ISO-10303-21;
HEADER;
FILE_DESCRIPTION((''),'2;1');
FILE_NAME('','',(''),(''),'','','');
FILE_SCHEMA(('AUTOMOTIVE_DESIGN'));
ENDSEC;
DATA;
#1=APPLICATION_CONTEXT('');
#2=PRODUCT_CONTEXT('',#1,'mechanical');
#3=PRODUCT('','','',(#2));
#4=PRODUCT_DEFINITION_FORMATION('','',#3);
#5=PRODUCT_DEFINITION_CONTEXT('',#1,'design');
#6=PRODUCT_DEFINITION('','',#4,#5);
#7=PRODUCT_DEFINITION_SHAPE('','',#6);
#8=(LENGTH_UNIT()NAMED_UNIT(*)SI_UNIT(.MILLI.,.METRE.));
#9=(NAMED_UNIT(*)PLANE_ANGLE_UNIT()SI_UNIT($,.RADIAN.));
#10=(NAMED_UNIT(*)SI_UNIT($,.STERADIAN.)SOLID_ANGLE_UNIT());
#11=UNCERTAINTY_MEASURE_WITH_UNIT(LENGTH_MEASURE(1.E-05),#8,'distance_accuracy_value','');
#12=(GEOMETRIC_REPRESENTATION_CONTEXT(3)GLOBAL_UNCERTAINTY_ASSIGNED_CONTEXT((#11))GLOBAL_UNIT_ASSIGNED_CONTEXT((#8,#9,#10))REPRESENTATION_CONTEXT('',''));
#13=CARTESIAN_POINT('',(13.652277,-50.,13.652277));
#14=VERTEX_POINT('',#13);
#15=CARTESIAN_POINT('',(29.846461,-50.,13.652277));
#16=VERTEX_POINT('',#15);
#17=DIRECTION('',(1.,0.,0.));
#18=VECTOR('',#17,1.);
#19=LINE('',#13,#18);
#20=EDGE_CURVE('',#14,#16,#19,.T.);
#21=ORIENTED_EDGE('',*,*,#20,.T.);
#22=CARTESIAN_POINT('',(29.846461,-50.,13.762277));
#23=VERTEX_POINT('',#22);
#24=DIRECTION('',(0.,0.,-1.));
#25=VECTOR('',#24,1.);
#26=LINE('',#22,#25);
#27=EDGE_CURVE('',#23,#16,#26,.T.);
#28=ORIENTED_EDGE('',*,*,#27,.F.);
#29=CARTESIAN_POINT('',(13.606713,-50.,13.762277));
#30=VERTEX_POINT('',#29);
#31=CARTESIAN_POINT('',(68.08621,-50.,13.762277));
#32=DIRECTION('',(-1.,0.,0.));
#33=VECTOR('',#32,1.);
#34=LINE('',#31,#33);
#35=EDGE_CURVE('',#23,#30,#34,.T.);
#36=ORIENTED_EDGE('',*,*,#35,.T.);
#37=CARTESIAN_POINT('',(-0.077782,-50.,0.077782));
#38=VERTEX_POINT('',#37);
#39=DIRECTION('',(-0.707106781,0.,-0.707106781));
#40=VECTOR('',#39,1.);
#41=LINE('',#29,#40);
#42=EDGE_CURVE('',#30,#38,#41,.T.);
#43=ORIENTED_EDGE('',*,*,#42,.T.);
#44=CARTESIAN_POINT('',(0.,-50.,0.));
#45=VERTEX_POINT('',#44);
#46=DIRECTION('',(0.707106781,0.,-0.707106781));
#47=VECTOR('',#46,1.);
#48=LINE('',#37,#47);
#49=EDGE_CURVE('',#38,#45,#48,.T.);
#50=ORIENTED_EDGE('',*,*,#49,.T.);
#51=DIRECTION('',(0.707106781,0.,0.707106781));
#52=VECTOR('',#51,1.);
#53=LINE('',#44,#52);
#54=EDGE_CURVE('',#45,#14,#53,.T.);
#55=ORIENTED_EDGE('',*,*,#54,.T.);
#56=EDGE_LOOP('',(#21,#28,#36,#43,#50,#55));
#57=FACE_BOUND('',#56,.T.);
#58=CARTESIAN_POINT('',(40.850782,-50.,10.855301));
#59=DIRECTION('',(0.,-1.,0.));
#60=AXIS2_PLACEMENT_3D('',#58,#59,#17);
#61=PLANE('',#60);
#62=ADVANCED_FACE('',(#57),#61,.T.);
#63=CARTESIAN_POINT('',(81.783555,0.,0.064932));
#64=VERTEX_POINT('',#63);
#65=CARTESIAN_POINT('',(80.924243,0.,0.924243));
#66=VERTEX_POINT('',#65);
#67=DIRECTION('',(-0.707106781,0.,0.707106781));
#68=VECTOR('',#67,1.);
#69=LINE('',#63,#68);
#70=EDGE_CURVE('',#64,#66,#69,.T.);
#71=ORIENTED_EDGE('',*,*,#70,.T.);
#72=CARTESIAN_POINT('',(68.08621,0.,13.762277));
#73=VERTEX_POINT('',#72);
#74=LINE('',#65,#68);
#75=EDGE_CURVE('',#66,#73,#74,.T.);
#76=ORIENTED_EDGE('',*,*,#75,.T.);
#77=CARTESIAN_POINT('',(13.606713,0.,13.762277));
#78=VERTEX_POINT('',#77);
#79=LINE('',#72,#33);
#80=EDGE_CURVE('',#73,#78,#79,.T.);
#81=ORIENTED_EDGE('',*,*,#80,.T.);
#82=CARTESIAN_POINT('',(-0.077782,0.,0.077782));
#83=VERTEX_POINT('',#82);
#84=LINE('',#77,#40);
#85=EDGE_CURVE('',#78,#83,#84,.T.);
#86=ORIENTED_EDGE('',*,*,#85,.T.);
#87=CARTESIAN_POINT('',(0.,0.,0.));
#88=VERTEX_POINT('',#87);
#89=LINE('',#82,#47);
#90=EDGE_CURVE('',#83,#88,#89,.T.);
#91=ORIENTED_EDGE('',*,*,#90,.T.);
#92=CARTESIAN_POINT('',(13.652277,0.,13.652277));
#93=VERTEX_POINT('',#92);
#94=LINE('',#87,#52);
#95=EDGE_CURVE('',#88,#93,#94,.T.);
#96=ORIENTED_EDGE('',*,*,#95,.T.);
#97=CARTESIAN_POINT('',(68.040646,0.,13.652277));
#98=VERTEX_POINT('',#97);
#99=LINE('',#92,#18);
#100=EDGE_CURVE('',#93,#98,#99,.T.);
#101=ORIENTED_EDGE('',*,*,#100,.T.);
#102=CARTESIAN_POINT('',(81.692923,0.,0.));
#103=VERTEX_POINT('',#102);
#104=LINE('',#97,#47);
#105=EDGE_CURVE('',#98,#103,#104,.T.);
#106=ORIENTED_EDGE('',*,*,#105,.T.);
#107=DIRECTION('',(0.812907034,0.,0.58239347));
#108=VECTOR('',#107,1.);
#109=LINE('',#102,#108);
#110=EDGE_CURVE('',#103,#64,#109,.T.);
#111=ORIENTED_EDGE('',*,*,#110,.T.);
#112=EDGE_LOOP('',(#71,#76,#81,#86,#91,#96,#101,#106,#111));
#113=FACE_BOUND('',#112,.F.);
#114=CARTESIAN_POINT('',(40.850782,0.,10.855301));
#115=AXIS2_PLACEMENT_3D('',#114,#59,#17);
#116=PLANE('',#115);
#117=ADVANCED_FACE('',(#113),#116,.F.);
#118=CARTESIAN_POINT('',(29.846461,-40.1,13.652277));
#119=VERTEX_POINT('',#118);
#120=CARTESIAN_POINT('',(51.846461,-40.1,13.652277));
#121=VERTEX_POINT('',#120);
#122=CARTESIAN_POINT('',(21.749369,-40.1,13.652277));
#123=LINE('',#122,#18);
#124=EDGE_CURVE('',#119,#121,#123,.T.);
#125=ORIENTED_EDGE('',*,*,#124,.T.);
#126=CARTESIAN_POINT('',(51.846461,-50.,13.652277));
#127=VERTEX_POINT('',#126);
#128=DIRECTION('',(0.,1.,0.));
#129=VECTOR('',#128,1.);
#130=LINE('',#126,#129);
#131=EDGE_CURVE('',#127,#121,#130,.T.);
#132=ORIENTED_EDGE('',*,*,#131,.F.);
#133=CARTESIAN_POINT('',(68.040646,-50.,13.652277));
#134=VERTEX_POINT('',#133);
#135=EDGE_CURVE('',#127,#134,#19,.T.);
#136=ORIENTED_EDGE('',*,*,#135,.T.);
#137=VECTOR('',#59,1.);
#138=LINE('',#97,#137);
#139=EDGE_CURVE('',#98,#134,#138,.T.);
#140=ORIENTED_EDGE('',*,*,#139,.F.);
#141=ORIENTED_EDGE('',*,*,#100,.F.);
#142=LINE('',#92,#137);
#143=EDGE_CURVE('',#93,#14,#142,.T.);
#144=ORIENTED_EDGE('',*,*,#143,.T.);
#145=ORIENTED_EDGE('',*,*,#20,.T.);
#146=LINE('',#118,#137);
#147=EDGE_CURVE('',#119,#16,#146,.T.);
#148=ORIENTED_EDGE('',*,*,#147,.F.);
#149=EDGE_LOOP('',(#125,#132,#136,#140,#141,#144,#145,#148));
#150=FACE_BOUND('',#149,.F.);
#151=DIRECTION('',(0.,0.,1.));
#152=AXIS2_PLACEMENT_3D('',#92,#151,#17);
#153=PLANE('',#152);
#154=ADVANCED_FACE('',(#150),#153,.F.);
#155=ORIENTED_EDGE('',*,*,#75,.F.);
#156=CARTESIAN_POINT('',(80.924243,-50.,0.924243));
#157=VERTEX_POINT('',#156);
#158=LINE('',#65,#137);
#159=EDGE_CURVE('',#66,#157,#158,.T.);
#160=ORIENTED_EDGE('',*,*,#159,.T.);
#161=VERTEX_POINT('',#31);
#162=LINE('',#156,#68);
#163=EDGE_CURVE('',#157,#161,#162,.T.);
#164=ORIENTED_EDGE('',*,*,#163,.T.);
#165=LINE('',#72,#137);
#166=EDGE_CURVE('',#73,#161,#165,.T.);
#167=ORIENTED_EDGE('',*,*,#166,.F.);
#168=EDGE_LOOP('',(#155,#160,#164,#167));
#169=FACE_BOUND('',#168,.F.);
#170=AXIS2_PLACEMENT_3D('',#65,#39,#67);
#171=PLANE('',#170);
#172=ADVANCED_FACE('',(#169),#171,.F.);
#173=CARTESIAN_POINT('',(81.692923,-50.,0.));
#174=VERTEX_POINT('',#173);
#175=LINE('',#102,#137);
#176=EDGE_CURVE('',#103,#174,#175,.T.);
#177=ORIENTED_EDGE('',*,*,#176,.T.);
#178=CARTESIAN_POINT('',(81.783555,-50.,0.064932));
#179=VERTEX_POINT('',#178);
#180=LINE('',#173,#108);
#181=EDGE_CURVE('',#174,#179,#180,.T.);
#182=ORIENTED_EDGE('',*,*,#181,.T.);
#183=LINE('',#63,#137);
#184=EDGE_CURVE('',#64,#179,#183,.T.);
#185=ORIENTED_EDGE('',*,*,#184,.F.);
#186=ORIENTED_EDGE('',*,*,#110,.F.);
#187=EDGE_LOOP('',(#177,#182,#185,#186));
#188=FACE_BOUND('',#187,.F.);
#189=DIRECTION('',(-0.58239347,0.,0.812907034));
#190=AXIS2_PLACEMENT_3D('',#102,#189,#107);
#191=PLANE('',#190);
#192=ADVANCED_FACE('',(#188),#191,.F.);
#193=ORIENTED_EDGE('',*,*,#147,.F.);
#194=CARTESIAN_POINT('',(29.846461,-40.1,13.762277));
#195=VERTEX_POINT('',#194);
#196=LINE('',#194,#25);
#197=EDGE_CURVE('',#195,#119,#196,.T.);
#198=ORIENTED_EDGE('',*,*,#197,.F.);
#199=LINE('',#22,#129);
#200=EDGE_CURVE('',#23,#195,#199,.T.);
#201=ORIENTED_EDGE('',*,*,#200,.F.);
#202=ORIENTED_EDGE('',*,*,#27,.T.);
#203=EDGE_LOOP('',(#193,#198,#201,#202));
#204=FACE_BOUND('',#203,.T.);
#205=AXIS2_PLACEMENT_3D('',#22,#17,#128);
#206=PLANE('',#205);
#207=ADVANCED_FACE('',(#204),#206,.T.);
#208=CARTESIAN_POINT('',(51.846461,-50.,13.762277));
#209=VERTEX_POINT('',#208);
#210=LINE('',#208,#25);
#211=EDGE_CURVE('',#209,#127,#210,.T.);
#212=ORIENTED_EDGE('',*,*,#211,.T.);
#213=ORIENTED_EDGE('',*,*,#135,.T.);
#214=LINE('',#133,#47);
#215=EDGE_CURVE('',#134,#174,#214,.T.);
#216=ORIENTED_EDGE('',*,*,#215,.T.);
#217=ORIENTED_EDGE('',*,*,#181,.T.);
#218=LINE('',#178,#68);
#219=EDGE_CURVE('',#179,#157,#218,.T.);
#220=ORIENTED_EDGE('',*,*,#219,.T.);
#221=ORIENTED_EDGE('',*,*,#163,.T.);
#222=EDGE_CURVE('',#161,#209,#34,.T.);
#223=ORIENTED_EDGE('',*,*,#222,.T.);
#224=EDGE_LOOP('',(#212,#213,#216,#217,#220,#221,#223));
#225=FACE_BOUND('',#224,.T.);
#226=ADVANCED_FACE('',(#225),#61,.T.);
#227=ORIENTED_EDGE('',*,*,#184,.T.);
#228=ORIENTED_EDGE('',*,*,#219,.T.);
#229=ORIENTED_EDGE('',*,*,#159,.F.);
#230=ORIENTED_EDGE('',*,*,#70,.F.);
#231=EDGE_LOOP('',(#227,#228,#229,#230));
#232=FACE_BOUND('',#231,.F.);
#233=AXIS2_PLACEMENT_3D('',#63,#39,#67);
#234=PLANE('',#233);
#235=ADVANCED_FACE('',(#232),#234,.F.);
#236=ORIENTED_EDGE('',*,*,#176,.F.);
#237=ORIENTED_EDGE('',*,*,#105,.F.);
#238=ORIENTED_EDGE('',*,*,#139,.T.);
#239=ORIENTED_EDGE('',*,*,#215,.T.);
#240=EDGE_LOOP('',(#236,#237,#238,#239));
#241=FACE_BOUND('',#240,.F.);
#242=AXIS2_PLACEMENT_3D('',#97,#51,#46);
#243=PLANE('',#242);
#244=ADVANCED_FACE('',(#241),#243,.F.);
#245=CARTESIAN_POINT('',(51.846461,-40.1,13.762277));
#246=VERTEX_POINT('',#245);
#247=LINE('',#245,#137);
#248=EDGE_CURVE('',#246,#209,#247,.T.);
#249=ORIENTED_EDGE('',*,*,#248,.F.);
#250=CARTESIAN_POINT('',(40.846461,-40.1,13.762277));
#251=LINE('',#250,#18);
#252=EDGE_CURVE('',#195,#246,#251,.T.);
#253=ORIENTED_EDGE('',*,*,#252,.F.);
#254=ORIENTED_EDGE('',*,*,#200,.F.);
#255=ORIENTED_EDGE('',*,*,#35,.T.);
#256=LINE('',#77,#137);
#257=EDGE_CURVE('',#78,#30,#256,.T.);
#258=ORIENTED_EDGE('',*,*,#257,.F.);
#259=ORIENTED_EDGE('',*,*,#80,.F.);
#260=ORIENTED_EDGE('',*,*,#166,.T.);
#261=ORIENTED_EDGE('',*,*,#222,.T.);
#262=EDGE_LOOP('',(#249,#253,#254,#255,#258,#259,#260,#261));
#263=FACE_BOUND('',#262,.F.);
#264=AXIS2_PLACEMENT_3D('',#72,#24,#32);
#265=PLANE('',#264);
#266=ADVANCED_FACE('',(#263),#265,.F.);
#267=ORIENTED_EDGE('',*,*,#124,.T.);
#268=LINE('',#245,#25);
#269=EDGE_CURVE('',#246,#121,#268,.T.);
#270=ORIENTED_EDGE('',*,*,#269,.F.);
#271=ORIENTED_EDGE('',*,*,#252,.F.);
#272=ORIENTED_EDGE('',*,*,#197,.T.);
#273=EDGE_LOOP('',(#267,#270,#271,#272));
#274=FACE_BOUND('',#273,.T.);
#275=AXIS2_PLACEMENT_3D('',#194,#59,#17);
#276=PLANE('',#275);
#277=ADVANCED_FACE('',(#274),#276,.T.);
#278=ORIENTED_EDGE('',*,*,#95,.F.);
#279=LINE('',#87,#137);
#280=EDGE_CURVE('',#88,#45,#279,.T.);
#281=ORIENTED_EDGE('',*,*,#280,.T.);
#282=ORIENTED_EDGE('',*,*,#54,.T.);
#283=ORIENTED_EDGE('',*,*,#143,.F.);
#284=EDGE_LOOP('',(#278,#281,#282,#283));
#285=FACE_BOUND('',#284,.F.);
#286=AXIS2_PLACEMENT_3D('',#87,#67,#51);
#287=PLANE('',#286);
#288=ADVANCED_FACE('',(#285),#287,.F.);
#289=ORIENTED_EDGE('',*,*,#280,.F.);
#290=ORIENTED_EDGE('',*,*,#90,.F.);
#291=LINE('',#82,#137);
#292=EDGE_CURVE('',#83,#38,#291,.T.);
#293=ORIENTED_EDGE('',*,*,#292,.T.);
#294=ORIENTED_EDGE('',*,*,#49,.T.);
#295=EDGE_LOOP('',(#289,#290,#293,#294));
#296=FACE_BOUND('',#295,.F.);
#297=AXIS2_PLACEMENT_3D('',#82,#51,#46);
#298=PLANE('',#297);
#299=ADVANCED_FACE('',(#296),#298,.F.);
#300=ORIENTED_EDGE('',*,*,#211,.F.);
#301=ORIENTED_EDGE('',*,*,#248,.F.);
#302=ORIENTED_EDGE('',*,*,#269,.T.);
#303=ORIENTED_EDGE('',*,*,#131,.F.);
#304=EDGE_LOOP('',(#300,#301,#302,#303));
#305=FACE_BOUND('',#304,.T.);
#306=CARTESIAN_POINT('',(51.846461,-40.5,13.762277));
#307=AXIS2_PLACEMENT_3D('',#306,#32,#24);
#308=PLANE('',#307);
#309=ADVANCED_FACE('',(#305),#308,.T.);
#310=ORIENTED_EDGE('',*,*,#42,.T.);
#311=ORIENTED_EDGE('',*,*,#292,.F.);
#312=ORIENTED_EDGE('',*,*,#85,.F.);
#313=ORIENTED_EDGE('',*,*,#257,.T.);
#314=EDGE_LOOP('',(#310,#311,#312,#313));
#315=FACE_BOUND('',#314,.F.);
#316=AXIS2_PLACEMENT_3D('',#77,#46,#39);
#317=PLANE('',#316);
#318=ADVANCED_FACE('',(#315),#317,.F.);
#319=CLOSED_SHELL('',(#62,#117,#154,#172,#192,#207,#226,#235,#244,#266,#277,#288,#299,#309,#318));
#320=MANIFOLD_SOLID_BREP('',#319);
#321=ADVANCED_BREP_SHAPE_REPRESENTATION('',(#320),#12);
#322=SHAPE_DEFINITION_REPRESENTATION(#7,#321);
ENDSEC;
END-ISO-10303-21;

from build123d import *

# Parameters (mm, degrees)
F1_DEPTH = 50
F2_W     = 22
F2_H     = 9.5
F3_DEPTH = 13.7632765638
F4_DEPTH = 0.4


with BuildPart() as f1:
    # F0 (on Front) → F1 (new body)
    with BuildSketch(Plane.XZ):
        Polygon((-0.0777817459, 0.0777817459), (0, 0), (13.6522765638, 13.6522765638), (68.0406461445, 13.6522765638), (81.6929227083, 0), (81.7835545517, 0.0649316484), (80.9242431001, 0.9242431001), (68.0862096363, 13.7622765638), (13.606713072, 13.7622765638), align=None)
    extrude(amount=F1_DEPTH)

    # F2 (on face) → F3 (cut, through all)
    with BuildSketch(Plane.XY.offset(13.7622765638)):
        with Locations((40.8464613542, -45.25)):
            Rectangle(F2_W, F2_H)
    extrude(amount=-F3_DEPTH, mode=Mode.SUBTRACT)

    # F4 (cut): a face of the model
    f4_faces = [f1.faces().sort_by_distance(p)[0] for p in [
        (40.8464613542, -40.5, 13.7072765638),
    ]]
    extrude(f4_faces, amount=-F4_DEPTH, mode=Mode.SUBTRACT)


solid = f1.part
